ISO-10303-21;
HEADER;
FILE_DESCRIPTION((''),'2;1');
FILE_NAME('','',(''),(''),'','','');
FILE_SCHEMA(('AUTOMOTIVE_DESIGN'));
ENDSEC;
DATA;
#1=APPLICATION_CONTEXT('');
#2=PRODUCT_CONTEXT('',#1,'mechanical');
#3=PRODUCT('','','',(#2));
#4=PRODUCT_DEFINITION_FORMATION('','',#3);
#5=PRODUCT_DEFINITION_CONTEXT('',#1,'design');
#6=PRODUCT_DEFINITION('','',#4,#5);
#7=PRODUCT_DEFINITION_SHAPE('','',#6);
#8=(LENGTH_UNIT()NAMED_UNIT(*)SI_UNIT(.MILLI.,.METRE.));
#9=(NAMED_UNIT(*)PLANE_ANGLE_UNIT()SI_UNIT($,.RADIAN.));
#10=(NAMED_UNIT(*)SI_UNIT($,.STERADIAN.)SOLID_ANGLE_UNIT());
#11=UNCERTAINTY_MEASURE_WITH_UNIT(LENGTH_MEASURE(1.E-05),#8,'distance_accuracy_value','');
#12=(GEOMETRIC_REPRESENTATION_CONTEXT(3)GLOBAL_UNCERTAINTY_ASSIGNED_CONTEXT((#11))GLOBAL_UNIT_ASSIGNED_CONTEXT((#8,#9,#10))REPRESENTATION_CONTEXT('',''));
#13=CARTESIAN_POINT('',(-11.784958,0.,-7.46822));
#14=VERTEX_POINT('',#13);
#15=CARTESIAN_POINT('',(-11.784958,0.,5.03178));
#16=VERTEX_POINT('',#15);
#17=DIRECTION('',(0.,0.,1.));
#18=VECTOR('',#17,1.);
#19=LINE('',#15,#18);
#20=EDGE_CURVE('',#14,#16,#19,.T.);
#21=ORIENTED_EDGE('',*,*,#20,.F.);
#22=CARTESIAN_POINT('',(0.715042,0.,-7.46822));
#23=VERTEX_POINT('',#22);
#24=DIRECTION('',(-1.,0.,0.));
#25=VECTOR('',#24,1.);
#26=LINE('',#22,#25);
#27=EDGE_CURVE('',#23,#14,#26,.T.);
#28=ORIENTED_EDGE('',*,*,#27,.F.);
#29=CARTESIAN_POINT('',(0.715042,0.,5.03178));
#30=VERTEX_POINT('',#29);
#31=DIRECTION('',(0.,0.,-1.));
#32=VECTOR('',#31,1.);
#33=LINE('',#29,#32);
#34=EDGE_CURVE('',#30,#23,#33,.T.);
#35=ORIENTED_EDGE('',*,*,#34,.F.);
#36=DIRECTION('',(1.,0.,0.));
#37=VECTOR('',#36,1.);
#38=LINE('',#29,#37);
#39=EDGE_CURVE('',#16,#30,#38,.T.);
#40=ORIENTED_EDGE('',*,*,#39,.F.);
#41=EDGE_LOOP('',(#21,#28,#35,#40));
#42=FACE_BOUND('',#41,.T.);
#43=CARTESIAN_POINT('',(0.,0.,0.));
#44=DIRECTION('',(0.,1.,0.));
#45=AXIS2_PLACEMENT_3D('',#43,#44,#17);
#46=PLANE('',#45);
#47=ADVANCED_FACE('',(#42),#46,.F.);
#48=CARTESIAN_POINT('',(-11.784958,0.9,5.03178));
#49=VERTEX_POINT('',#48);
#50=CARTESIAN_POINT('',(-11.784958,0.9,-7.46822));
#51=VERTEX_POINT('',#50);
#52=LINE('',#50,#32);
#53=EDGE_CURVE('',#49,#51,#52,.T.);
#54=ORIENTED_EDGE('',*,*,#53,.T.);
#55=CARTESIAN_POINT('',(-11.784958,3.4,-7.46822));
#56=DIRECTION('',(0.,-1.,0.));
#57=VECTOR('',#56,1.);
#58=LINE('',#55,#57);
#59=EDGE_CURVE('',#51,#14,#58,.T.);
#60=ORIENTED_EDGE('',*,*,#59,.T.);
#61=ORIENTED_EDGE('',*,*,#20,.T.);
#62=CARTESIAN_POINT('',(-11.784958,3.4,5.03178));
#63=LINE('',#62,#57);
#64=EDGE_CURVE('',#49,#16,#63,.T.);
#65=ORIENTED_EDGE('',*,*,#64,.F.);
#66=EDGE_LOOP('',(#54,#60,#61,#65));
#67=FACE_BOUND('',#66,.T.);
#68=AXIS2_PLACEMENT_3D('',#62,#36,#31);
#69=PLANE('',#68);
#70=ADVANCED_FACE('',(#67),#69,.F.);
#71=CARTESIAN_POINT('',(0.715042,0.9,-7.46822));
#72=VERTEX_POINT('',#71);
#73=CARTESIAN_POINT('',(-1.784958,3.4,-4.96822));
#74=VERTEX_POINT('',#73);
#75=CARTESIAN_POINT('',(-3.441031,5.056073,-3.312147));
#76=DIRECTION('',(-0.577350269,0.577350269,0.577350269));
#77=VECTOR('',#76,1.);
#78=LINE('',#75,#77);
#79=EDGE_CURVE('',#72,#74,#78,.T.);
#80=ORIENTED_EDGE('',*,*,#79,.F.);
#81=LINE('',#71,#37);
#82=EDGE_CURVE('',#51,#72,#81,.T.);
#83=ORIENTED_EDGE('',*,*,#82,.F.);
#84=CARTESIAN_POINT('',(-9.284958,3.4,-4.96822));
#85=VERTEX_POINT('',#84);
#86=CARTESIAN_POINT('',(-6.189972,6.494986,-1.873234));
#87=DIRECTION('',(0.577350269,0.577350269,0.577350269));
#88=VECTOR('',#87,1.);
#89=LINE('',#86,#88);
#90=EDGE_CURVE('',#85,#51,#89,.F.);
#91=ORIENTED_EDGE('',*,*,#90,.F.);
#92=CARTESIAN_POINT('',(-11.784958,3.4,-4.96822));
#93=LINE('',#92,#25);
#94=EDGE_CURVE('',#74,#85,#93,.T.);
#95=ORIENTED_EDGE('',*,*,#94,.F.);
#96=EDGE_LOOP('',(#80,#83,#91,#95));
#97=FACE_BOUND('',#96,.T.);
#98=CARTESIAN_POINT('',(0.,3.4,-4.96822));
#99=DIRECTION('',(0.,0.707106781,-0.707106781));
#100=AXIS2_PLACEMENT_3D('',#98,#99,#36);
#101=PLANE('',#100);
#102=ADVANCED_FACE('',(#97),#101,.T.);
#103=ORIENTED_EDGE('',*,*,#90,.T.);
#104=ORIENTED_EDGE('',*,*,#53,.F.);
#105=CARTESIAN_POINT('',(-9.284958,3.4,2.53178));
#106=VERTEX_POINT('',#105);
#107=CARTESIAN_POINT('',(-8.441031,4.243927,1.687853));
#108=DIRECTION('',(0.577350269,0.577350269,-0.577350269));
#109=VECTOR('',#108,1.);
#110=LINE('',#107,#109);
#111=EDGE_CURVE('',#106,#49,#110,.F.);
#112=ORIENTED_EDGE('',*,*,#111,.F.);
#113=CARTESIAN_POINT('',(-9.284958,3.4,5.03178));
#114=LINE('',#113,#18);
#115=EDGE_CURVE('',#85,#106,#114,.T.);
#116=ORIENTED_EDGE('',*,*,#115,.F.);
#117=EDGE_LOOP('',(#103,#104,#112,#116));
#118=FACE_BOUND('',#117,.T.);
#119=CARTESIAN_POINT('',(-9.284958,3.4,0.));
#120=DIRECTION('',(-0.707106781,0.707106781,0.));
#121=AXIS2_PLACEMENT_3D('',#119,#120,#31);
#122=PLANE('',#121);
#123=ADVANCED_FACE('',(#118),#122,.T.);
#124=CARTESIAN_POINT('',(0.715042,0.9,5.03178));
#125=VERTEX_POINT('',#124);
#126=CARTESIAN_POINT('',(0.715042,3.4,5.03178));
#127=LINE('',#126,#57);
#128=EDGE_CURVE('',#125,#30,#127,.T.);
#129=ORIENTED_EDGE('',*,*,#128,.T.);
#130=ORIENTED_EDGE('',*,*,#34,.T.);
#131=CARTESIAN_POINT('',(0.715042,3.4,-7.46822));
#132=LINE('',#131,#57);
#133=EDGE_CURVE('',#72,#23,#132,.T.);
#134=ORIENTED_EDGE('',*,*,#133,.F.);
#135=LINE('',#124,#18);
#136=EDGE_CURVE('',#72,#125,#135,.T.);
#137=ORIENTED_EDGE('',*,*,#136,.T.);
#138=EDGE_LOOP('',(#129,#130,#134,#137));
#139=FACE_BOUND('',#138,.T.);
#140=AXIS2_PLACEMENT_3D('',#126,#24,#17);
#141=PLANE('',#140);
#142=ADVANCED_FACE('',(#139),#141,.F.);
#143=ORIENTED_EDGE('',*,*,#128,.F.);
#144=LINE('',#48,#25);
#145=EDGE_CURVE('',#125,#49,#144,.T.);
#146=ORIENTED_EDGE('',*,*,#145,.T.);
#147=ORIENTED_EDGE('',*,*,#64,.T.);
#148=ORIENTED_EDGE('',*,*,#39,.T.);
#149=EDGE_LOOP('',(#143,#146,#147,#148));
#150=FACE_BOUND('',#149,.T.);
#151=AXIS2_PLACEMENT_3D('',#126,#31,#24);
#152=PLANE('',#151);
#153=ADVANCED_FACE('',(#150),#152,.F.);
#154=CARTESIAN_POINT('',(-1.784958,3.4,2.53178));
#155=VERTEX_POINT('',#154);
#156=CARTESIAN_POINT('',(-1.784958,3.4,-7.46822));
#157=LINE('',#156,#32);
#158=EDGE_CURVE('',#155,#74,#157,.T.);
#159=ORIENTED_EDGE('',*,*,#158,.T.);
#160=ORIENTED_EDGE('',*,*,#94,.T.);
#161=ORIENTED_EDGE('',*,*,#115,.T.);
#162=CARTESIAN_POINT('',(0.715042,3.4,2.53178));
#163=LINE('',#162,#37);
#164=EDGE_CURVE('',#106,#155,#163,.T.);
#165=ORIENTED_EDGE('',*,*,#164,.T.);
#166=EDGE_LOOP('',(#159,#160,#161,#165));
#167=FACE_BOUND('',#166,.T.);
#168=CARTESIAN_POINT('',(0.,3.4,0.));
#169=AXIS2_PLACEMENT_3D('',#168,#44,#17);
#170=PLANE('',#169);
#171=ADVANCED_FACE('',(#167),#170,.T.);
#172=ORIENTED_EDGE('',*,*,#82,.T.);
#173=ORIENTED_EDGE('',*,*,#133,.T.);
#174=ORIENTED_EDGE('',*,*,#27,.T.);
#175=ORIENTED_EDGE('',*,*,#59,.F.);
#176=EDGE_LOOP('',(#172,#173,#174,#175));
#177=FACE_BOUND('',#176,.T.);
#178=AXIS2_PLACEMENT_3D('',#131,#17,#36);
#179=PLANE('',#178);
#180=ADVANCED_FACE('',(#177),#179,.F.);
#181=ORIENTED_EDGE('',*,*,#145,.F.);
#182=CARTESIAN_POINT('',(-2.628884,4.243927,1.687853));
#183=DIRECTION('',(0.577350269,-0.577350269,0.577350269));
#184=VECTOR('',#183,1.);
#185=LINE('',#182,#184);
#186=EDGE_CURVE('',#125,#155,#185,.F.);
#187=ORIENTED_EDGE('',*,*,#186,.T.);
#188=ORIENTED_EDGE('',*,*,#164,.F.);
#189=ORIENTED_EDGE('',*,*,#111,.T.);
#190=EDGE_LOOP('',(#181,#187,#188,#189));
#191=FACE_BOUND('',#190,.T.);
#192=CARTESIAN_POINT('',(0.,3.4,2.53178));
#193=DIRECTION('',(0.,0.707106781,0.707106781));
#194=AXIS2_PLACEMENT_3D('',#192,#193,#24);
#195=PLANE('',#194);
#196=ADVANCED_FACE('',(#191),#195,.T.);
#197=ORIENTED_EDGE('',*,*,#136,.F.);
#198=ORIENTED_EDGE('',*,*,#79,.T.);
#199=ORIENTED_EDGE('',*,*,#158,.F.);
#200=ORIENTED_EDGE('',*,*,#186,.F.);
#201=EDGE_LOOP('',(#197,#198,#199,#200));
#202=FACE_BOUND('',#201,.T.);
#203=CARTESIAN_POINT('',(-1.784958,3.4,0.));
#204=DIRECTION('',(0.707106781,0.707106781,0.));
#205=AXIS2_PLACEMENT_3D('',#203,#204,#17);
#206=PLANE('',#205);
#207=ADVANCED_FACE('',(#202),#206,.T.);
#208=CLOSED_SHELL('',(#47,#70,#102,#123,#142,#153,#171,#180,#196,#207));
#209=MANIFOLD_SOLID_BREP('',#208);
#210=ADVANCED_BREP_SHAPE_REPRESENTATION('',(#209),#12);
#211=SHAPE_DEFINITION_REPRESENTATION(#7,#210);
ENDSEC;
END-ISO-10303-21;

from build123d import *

# Parameters (mm, degrees)
SKETCH1_W           = 12.5
SKETCH1_H           = 12.5
BOSS_EXTRUDE1_DEPTH = 3.4
CHAMFER2_SIZE       = 2.5


with BuildPart() as part:
    # Sketch1 → Boss-Extrude1 (new body)
    with BuildSketch(Plane(origin=(0, 0, 0), x_dir=(1, 0, 0), z_dir=(0, 1, 0))):
        with Locations((-5.534957627, 1.218220339)):
            Rectangle(SKETCH1_W, SKETCH1_H)
    extrude(amount=BOSS_EXTRUDE1_DEPTH)

    # Chamfer2
    chamfer2_edges = [part.edges().sort_by_distance(p)[0] for p in [
        (-11.784957627, 3.4, -1.218220339),
        (-5.534957627, 3.4, 5.031779661),
        (0.715042373, 3.4, -1.218220339),
        (-5.534957627, 3.4, -7.468220339),
    ]]
    chamfer(chamfer2_edges, length=CHAMFER2_SIZE)


solid = part.part
